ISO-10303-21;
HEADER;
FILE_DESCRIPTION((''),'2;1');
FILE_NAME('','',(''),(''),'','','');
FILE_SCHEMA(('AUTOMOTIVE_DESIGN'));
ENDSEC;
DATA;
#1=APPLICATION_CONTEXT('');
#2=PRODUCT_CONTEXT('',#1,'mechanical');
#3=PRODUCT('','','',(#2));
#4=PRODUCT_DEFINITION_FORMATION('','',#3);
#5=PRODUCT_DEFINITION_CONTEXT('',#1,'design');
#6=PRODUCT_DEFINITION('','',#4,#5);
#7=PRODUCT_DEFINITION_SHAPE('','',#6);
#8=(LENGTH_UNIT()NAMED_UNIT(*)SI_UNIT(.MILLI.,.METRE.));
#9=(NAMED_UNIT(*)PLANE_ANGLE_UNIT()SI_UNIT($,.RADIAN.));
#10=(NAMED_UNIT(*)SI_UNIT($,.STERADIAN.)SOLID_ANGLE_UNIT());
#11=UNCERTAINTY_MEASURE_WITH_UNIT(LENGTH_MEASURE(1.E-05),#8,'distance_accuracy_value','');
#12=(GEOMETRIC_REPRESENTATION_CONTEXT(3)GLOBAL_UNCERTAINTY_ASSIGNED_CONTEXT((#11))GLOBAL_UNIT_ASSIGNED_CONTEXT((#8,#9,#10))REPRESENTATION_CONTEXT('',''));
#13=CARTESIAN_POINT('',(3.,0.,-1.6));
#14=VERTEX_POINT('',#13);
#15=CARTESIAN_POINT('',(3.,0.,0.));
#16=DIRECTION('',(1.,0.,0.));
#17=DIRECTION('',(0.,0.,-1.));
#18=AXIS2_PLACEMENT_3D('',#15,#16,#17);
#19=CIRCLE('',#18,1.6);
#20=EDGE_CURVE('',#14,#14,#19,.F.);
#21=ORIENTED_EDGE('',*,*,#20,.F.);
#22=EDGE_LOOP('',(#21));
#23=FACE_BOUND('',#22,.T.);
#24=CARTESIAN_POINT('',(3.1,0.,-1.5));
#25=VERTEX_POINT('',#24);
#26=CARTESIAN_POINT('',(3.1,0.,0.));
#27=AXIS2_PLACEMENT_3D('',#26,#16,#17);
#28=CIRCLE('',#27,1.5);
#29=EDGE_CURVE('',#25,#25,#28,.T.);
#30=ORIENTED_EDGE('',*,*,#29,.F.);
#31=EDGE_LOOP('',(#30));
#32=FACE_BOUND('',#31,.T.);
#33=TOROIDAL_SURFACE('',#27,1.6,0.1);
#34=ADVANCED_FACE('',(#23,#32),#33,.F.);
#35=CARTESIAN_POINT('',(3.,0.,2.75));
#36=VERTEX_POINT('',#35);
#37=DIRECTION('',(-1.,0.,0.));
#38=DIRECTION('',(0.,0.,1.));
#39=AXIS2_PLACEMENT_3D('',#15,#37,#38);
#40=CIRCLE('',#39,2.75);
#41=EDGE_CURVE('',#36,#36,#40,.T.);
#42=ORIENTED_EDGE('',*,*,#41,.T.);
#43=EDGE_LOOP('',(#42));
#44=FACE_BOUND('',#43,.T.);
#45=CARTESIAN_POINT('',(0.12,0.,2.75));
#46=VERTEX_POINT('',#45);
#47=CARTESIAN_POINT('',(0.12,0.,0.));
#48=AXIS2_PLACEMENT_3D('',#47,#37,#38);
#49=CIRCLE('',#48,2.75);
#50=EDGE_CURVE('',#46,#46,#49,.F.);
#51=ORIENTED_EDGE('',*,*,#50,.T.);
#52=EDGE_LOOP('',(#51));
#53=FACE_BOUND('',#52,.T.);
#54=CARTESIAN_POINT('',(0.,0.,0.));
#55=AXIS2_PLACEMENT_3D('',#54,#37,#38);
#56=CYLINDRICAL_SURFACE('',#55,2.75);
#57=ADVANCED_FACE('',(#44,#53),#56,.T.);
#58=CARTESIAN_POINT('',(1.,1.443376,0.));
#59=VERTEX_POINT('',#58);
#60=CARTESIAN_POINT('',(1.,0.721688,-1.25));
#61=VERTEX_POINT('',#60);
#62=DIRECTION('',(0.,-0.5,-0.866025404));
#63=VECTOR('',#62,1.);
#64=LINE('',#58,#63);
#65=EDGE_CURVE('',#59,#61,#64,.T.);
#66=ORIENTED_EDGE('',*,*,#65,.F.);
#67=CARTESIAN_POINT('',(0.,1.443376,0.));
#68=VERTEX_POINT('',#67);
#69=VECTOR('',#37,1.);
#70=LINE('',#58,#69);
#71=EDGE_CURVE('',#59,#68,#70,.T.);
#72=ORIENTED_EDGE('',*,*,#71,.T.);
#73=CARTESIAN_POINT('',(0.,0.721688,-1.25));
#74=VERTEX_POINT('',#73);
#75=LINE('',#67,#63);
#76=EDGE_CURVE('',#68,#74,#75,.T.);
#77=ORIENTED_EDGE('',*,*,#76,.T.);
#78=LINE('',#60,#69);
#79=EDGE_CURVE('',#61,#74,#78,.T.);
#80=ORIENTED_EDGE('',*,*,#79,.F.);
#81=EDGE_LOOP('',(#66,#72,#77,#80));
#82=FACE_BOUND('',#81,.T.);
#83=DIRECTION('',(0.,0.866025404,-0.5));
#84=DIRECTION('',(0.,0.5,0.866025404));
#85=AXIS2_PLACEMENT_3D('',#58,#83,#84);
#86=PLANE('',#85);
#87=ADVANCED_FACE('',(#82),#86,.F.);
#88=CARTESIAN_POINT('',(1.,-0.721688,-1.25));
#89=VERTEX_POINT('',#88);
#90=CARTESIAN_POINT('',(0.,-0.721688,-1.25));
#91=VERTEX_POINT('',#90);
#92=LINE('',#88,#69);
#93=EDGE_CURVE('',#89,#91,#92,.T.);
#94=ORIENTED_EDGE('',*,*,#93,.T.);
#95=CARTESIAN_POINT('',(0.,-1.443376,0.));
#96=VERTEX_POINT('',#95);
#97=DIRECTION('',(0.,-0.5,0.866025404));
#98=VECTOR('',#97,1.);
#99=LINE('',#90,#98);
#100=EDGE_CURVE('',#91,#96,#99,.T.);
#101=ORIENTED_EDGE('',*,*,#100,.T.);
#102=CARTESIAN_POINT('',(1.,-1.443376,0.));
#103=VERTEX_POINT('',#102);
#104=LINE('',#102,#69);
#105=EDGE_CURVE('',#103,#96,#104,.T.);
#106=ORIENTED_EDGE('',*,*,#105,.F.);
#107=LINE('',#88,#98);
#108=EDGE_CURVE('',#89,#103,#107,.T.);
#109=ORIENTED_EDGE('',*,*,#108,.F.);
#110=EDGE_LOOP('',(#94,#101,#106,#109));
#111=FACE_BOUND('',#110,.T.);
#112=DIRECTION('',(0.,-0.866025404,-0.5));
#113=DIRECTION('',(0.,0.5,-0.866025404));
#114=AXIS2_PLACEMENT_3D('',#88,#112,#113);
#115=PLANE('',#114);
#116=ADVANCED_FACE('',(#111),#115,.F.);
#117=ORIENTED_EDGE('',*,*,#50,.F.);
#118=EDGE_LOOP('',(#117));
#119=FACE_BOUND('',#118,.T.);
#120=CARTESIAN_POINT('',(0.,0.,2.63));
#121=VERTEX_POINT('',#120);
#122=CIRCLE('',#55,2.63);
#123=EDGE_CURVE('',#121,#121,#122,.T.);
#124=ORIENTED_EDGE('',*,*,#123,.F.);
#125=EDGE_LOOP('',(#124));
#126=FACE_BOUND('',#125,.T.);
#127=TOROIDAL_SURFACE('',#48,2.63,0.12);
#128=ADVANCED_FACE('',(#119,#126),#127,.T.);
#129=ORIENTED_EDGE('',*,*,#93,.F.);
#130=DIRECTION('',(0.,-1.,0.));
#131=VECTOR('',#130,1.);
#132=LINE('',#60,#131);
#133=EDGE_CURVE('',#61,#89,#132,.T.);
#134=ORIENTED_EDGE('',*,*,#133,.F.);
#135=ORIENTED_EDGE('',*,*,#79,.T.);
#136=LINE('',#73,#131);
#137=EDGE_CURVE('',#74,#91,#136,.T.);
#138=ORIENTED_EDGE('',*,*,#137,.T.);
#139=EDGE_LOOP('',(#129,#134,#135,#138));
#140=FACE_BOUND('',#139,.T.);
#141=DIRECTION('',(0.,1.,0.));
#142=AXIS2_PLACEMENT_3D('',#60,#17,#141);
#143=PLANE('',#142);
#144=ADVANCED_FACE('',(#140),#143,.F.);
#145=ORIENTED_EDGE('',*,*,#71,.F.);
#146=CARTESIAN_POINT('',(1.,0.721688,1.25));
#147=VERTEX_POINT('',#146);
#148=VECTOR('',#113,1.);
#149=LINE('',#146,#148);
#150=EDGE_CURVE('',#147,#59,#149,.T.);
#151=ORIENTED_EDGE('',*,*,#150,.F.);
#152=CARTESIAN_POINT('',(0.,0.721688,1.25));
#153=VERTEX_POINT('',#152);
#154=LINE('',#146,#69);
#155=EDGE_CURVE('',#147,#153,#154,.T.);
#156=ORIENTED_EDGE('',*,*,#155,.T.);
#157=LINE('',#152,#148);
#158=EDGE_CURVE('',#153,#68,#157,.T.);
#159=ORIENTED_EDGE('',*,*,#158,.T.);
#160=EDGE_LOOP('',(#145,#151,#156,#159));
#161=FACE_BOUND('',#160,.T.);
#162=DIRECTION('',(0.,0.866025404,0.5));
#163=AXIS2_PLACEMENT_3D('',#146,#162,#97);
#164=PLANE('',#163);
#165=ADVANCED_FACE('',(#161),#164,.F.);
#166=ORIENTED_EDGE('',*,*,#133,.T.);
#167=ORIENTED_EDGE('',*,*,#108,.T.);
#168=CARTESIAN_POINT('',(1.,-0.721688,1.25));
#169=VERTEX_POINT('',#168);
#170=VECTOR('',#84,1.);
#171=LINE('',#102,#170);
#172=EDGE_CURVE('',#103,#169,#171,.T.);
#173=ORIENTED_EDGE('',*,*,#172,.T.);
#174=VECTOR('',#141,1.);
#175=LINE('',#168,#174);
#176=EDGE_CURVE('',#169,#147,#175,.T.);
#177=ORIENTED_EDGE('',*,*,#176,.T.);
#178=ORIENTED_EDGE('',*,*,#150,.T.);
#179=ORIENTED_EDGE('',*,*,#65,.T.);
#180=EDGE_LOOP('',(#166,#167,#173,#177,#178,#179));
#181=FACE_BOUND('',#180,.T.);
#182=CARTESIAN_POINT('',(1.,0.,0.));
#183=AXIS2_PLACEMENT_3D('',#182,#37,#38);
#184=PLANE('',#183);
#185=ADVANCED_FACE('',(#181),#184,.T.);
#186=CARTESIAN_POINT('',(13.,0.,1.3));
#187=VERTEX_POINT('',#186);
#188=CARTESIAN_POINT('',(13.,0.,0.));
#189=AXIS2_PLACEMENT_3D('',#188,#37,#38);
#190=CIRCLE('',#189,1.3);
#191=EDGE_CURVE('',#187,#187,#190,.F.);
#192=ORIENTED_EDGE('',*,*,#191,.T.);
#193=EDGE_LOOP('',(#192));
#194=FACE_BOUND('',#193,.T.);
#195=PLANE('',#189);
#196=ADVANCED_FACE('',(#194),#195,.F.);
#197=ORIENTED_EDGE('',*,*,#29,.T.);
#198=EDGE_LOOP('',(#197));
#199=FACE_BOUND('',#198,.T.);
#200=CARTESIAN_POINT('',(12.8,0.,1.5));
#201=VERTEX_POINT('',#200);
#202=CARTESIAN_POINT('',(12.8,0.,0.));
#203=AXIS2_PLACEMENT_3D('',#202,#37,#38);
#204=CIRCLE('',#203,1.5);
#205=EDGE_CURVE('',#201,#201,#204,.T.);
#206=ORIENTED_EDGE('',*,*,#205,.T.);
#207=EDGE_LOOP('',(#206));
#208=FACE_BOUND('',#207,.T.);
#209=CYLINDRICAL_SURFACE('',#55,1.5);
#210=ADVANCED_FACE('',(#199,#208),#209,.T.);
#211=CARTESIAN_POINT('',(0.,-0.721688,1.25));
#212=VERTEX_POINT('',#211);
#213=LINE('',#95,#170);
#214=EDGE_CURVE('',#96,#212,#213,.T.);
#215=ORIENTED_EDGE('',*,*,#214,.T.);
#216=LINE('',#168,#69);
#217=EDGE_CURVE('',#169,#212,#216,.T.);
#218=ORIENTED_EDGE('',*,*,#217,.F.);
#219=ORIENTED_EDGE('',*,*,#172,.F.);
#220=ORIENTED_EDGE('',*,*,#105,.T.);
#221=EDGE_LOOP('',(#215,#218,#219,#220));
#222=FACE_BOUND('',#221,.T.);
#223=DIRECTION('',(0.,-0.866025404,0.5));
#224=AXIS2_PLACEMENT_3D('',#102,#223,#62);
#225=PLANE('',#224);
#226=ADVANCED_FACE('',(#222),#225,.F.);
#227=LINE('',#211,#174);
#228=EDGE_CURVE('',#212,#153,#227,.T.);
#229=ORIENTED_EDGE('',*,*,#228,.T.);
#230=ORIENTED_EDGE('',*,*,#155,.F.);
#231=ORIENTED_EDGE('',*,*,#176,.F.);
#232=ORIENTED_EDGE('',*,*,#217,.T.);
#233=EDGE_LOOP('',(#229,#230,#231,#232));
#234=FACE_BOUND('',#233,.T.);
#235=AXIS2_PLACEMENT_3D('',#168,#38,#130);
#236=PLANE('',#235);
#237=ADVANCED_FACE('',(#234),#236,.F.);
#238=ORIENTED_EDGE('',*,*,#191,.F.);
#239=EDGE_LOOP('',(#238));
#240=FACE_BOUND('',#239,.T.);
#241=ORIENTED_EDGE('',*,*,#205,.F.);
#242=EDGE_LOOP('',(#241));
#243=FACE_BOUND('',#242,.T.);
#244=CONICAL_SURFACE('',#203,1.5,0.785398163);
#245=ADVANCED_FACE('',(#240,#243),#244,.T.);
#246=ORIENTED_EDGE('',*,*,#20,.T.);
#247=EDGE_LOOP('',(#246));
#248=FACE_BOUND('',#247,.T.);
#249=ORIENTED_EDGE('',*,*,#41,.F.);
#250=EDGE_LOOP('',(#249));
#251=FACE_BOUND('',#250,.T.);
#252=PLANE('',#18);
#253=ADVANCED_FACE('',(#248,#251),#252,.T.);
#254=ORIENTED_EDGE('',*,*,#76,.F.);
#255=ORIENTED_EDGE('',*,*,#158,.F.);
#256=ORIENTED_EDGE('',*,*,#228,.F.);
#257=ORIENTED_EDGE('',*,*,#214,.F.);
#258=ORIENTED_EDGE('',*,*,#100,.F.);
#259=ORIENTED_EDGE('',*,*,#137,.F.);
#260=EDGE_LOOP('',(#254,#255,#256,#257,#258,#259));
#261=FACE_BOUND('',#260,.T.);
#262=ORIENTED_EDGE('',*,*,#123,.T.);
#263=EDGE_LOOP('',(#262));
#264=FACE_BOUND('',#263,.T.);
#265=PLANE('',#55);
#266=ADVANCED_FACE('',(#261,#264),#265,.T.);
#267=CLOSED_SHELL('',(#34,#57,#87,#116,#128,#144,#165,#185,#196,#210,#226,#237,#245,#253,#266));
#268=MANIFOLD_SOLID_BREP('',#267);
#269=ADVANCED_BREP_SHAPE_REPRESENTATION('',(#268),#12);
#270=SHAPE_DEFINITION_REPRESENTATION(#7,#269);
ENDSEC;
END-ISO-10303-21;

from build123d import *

# Parameters (mm, degrees)
FILLET1_R      = 0.1
FILLET2_R      = 0.12
CHAMFER1_SIZE  = 0.2
EXTRUDE1_DEPTH = 1


with BuildPart() as part:
    # Sketch1 → Revolve1 (revolve)
    with BuildSketch(Plane.XY, mode=Mode.PRIVATE) as revolve1_sk:
        Polygon((3, 1.5), (3, 0), (4.279914881, 0), (13, 0), (13, 1.5), align=None)
        Polygon((0, 2.75), (0, 0), (3, 0), (3, 1.5), (3, 2.75), align=None)
    revolve(revolve1_sk.sketch.rotate(Axis((0, 0, 0), (1, 0, 0)), 90), axis=Axis((0, 0, 0), (1, 0, 0)))

    # Fillet1
    fillet1_edges = [part.edges().sort_by_distance(p)[0] for p in [
        (3, 0, -1.5),
    ]]
    fillet(fillet1_edges, radius=FILLET1_R)

    # Fillet2
    fillet2_edges = [part.edges().sort_by_distance(p)[0] for p in [
        (0, 0, -2.75),
    ]]
    fillet(fillet2_edges, radius=FILLET2_R)

    # Chamfer1
    chamfer1_edges = [part.edges().sort_by_distance(p)[0] for p in [
        (13, 0, -1.5),
    ]]
    chamfer(chamfer1_edges, length=CHAMFER1_SIZE)

    # Sketch2 → Extrude1 (cut)
    with BuildSketch(Plane.ZY):
        Polygon((0, 1.443375673), (-1.25, 0.721687836), (-1.25, -0.721687836), (0, -1.443375673), (1.25, -0.721687836), (1.25, 0.721687836), align=None)
    extrude(amount=-EXTRUDE1_DEPTH, mode=Mode.SUBTRACT)


solid = part.part
